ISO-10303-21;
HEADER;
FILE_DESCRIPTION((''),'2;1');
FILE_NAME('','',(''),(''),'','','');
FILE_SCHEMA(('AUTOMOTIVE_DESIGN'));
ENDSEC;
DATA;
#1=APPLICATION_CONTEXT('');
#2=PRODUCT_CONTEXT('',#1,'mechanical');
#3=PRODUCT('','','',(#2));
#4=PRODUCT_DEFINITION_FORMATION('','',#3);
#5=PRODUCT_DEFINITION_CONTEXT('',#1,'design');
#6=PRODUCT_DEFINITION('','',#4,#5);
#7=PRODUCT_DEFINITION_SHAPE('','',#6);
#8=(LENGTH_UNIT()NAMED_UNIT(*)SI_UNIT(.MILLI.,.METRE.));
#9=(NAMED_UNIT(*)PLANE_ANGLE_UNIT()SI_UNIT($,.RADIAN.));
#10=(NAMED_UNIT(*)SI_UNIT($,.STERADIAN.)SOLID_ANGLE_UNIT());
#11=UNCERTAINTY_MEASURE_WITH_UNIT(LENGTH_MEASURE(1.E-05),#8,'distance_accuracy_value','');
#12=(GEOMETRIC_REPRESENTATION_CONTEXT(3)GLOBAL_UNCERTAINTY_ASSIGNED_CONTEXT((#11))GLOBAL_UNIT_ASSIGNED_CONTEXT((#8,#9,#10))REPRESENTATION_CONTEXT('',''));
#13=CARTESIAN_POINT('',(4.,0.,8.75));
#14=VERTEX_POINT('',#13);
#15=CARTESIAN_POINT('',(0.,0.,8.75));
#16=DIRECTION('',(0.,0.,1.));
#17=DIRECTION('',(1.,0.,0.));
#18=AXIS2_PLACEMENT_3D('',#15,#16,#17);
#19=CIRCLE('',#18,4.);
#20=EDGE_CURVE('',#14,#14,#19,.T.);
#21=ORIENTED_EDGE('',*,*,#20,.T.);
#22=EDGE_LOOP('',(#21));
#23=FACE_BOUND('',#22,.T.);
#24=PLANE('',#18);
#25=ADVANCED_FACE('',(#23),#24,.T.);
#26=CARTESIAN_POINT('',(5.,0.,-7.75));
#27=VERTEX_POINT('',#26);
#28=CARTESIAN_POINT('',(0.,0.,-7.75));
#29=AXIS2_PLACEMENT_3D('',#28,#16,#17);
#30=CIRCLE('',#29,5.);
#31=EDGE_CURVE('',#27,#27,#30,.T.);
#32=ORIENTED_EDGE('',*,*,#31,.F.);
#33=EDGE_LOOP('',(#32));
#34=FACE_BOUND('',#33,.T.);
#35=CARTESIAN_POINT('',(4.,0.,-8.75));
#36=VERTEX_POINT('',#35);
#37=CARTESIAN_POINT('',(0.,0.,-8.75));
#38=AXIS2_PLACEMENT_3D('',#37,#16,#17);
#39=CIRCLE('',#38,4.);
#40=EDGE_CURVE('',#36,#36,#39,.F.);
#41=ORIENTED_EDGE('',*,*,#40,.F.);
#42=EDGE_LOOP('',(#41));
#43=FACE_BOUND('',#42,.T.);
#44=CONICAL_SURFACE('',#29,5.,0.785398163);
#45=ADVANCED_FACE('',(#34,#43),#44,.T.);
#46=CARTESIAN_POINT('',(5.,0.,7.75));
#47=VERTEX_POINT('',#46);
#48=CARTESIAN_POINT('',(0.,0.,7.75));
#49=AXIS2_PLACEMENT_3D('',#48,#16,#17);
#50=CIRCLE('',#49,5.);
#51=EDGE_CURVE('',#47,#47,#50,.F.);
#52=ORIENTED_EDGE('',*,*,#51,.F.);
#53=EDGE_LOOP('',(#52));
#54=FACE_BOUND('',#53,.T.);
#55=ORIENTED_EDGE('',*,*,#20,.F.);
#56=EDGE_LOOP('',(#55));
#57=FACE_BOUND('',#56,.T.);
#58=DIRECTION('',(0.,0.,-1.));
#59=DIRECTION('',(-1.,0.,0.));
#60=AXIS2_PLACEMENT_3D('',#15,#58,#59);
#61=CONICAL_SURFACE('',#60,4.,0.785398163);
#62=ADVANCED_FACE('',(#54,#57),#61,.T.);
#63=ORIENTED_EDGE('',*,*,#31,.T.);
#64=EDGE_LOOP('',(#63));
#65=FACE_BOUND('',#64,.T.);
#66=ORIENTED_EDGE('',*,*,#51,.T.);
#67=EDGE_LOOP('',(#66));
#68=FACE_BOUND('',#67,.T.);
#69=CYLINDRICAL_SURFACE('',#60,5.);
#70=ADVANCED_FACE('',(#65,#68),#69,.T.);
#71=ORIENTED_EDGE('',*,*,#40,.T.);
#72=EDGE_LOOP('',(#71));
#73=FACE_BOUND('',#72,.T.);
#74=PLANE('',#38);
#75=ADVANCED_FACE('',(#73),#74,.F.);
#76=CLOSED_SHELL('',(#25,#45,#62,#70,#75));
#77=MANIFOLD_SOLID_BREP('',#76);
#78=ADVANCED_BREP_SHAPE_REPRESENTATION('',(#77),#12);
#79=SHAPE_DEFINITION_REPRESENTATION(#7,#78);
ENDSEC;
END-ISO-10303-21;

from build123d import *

# Parameters (mm, degrees)
SKETCH1_R           = 5
BOSS_EXTRUDE1_DEPTH = 8.75
CHAMFER1_SIZE       = 1


with BuildPart() as part:
    # Sketch1 → Boss-Extrude1 (new, symmetric)
    with BuildSketch(Plane.XY):
        Circle(SKETCH1_R)
    extrude(amount=BOSS_EXTRUDE1_DEPTH, both=True)

    # Chamfer1
    chamfer1_edges = [part.edges().sort_by_distance(p)[0] for p in [
        (-5, 0, -8.75),
        (-5, 0, 8.75),
    ]]
    chamfer(chamfer1_edges, length=CHAMFER1_SIZE)


solid = part.part
